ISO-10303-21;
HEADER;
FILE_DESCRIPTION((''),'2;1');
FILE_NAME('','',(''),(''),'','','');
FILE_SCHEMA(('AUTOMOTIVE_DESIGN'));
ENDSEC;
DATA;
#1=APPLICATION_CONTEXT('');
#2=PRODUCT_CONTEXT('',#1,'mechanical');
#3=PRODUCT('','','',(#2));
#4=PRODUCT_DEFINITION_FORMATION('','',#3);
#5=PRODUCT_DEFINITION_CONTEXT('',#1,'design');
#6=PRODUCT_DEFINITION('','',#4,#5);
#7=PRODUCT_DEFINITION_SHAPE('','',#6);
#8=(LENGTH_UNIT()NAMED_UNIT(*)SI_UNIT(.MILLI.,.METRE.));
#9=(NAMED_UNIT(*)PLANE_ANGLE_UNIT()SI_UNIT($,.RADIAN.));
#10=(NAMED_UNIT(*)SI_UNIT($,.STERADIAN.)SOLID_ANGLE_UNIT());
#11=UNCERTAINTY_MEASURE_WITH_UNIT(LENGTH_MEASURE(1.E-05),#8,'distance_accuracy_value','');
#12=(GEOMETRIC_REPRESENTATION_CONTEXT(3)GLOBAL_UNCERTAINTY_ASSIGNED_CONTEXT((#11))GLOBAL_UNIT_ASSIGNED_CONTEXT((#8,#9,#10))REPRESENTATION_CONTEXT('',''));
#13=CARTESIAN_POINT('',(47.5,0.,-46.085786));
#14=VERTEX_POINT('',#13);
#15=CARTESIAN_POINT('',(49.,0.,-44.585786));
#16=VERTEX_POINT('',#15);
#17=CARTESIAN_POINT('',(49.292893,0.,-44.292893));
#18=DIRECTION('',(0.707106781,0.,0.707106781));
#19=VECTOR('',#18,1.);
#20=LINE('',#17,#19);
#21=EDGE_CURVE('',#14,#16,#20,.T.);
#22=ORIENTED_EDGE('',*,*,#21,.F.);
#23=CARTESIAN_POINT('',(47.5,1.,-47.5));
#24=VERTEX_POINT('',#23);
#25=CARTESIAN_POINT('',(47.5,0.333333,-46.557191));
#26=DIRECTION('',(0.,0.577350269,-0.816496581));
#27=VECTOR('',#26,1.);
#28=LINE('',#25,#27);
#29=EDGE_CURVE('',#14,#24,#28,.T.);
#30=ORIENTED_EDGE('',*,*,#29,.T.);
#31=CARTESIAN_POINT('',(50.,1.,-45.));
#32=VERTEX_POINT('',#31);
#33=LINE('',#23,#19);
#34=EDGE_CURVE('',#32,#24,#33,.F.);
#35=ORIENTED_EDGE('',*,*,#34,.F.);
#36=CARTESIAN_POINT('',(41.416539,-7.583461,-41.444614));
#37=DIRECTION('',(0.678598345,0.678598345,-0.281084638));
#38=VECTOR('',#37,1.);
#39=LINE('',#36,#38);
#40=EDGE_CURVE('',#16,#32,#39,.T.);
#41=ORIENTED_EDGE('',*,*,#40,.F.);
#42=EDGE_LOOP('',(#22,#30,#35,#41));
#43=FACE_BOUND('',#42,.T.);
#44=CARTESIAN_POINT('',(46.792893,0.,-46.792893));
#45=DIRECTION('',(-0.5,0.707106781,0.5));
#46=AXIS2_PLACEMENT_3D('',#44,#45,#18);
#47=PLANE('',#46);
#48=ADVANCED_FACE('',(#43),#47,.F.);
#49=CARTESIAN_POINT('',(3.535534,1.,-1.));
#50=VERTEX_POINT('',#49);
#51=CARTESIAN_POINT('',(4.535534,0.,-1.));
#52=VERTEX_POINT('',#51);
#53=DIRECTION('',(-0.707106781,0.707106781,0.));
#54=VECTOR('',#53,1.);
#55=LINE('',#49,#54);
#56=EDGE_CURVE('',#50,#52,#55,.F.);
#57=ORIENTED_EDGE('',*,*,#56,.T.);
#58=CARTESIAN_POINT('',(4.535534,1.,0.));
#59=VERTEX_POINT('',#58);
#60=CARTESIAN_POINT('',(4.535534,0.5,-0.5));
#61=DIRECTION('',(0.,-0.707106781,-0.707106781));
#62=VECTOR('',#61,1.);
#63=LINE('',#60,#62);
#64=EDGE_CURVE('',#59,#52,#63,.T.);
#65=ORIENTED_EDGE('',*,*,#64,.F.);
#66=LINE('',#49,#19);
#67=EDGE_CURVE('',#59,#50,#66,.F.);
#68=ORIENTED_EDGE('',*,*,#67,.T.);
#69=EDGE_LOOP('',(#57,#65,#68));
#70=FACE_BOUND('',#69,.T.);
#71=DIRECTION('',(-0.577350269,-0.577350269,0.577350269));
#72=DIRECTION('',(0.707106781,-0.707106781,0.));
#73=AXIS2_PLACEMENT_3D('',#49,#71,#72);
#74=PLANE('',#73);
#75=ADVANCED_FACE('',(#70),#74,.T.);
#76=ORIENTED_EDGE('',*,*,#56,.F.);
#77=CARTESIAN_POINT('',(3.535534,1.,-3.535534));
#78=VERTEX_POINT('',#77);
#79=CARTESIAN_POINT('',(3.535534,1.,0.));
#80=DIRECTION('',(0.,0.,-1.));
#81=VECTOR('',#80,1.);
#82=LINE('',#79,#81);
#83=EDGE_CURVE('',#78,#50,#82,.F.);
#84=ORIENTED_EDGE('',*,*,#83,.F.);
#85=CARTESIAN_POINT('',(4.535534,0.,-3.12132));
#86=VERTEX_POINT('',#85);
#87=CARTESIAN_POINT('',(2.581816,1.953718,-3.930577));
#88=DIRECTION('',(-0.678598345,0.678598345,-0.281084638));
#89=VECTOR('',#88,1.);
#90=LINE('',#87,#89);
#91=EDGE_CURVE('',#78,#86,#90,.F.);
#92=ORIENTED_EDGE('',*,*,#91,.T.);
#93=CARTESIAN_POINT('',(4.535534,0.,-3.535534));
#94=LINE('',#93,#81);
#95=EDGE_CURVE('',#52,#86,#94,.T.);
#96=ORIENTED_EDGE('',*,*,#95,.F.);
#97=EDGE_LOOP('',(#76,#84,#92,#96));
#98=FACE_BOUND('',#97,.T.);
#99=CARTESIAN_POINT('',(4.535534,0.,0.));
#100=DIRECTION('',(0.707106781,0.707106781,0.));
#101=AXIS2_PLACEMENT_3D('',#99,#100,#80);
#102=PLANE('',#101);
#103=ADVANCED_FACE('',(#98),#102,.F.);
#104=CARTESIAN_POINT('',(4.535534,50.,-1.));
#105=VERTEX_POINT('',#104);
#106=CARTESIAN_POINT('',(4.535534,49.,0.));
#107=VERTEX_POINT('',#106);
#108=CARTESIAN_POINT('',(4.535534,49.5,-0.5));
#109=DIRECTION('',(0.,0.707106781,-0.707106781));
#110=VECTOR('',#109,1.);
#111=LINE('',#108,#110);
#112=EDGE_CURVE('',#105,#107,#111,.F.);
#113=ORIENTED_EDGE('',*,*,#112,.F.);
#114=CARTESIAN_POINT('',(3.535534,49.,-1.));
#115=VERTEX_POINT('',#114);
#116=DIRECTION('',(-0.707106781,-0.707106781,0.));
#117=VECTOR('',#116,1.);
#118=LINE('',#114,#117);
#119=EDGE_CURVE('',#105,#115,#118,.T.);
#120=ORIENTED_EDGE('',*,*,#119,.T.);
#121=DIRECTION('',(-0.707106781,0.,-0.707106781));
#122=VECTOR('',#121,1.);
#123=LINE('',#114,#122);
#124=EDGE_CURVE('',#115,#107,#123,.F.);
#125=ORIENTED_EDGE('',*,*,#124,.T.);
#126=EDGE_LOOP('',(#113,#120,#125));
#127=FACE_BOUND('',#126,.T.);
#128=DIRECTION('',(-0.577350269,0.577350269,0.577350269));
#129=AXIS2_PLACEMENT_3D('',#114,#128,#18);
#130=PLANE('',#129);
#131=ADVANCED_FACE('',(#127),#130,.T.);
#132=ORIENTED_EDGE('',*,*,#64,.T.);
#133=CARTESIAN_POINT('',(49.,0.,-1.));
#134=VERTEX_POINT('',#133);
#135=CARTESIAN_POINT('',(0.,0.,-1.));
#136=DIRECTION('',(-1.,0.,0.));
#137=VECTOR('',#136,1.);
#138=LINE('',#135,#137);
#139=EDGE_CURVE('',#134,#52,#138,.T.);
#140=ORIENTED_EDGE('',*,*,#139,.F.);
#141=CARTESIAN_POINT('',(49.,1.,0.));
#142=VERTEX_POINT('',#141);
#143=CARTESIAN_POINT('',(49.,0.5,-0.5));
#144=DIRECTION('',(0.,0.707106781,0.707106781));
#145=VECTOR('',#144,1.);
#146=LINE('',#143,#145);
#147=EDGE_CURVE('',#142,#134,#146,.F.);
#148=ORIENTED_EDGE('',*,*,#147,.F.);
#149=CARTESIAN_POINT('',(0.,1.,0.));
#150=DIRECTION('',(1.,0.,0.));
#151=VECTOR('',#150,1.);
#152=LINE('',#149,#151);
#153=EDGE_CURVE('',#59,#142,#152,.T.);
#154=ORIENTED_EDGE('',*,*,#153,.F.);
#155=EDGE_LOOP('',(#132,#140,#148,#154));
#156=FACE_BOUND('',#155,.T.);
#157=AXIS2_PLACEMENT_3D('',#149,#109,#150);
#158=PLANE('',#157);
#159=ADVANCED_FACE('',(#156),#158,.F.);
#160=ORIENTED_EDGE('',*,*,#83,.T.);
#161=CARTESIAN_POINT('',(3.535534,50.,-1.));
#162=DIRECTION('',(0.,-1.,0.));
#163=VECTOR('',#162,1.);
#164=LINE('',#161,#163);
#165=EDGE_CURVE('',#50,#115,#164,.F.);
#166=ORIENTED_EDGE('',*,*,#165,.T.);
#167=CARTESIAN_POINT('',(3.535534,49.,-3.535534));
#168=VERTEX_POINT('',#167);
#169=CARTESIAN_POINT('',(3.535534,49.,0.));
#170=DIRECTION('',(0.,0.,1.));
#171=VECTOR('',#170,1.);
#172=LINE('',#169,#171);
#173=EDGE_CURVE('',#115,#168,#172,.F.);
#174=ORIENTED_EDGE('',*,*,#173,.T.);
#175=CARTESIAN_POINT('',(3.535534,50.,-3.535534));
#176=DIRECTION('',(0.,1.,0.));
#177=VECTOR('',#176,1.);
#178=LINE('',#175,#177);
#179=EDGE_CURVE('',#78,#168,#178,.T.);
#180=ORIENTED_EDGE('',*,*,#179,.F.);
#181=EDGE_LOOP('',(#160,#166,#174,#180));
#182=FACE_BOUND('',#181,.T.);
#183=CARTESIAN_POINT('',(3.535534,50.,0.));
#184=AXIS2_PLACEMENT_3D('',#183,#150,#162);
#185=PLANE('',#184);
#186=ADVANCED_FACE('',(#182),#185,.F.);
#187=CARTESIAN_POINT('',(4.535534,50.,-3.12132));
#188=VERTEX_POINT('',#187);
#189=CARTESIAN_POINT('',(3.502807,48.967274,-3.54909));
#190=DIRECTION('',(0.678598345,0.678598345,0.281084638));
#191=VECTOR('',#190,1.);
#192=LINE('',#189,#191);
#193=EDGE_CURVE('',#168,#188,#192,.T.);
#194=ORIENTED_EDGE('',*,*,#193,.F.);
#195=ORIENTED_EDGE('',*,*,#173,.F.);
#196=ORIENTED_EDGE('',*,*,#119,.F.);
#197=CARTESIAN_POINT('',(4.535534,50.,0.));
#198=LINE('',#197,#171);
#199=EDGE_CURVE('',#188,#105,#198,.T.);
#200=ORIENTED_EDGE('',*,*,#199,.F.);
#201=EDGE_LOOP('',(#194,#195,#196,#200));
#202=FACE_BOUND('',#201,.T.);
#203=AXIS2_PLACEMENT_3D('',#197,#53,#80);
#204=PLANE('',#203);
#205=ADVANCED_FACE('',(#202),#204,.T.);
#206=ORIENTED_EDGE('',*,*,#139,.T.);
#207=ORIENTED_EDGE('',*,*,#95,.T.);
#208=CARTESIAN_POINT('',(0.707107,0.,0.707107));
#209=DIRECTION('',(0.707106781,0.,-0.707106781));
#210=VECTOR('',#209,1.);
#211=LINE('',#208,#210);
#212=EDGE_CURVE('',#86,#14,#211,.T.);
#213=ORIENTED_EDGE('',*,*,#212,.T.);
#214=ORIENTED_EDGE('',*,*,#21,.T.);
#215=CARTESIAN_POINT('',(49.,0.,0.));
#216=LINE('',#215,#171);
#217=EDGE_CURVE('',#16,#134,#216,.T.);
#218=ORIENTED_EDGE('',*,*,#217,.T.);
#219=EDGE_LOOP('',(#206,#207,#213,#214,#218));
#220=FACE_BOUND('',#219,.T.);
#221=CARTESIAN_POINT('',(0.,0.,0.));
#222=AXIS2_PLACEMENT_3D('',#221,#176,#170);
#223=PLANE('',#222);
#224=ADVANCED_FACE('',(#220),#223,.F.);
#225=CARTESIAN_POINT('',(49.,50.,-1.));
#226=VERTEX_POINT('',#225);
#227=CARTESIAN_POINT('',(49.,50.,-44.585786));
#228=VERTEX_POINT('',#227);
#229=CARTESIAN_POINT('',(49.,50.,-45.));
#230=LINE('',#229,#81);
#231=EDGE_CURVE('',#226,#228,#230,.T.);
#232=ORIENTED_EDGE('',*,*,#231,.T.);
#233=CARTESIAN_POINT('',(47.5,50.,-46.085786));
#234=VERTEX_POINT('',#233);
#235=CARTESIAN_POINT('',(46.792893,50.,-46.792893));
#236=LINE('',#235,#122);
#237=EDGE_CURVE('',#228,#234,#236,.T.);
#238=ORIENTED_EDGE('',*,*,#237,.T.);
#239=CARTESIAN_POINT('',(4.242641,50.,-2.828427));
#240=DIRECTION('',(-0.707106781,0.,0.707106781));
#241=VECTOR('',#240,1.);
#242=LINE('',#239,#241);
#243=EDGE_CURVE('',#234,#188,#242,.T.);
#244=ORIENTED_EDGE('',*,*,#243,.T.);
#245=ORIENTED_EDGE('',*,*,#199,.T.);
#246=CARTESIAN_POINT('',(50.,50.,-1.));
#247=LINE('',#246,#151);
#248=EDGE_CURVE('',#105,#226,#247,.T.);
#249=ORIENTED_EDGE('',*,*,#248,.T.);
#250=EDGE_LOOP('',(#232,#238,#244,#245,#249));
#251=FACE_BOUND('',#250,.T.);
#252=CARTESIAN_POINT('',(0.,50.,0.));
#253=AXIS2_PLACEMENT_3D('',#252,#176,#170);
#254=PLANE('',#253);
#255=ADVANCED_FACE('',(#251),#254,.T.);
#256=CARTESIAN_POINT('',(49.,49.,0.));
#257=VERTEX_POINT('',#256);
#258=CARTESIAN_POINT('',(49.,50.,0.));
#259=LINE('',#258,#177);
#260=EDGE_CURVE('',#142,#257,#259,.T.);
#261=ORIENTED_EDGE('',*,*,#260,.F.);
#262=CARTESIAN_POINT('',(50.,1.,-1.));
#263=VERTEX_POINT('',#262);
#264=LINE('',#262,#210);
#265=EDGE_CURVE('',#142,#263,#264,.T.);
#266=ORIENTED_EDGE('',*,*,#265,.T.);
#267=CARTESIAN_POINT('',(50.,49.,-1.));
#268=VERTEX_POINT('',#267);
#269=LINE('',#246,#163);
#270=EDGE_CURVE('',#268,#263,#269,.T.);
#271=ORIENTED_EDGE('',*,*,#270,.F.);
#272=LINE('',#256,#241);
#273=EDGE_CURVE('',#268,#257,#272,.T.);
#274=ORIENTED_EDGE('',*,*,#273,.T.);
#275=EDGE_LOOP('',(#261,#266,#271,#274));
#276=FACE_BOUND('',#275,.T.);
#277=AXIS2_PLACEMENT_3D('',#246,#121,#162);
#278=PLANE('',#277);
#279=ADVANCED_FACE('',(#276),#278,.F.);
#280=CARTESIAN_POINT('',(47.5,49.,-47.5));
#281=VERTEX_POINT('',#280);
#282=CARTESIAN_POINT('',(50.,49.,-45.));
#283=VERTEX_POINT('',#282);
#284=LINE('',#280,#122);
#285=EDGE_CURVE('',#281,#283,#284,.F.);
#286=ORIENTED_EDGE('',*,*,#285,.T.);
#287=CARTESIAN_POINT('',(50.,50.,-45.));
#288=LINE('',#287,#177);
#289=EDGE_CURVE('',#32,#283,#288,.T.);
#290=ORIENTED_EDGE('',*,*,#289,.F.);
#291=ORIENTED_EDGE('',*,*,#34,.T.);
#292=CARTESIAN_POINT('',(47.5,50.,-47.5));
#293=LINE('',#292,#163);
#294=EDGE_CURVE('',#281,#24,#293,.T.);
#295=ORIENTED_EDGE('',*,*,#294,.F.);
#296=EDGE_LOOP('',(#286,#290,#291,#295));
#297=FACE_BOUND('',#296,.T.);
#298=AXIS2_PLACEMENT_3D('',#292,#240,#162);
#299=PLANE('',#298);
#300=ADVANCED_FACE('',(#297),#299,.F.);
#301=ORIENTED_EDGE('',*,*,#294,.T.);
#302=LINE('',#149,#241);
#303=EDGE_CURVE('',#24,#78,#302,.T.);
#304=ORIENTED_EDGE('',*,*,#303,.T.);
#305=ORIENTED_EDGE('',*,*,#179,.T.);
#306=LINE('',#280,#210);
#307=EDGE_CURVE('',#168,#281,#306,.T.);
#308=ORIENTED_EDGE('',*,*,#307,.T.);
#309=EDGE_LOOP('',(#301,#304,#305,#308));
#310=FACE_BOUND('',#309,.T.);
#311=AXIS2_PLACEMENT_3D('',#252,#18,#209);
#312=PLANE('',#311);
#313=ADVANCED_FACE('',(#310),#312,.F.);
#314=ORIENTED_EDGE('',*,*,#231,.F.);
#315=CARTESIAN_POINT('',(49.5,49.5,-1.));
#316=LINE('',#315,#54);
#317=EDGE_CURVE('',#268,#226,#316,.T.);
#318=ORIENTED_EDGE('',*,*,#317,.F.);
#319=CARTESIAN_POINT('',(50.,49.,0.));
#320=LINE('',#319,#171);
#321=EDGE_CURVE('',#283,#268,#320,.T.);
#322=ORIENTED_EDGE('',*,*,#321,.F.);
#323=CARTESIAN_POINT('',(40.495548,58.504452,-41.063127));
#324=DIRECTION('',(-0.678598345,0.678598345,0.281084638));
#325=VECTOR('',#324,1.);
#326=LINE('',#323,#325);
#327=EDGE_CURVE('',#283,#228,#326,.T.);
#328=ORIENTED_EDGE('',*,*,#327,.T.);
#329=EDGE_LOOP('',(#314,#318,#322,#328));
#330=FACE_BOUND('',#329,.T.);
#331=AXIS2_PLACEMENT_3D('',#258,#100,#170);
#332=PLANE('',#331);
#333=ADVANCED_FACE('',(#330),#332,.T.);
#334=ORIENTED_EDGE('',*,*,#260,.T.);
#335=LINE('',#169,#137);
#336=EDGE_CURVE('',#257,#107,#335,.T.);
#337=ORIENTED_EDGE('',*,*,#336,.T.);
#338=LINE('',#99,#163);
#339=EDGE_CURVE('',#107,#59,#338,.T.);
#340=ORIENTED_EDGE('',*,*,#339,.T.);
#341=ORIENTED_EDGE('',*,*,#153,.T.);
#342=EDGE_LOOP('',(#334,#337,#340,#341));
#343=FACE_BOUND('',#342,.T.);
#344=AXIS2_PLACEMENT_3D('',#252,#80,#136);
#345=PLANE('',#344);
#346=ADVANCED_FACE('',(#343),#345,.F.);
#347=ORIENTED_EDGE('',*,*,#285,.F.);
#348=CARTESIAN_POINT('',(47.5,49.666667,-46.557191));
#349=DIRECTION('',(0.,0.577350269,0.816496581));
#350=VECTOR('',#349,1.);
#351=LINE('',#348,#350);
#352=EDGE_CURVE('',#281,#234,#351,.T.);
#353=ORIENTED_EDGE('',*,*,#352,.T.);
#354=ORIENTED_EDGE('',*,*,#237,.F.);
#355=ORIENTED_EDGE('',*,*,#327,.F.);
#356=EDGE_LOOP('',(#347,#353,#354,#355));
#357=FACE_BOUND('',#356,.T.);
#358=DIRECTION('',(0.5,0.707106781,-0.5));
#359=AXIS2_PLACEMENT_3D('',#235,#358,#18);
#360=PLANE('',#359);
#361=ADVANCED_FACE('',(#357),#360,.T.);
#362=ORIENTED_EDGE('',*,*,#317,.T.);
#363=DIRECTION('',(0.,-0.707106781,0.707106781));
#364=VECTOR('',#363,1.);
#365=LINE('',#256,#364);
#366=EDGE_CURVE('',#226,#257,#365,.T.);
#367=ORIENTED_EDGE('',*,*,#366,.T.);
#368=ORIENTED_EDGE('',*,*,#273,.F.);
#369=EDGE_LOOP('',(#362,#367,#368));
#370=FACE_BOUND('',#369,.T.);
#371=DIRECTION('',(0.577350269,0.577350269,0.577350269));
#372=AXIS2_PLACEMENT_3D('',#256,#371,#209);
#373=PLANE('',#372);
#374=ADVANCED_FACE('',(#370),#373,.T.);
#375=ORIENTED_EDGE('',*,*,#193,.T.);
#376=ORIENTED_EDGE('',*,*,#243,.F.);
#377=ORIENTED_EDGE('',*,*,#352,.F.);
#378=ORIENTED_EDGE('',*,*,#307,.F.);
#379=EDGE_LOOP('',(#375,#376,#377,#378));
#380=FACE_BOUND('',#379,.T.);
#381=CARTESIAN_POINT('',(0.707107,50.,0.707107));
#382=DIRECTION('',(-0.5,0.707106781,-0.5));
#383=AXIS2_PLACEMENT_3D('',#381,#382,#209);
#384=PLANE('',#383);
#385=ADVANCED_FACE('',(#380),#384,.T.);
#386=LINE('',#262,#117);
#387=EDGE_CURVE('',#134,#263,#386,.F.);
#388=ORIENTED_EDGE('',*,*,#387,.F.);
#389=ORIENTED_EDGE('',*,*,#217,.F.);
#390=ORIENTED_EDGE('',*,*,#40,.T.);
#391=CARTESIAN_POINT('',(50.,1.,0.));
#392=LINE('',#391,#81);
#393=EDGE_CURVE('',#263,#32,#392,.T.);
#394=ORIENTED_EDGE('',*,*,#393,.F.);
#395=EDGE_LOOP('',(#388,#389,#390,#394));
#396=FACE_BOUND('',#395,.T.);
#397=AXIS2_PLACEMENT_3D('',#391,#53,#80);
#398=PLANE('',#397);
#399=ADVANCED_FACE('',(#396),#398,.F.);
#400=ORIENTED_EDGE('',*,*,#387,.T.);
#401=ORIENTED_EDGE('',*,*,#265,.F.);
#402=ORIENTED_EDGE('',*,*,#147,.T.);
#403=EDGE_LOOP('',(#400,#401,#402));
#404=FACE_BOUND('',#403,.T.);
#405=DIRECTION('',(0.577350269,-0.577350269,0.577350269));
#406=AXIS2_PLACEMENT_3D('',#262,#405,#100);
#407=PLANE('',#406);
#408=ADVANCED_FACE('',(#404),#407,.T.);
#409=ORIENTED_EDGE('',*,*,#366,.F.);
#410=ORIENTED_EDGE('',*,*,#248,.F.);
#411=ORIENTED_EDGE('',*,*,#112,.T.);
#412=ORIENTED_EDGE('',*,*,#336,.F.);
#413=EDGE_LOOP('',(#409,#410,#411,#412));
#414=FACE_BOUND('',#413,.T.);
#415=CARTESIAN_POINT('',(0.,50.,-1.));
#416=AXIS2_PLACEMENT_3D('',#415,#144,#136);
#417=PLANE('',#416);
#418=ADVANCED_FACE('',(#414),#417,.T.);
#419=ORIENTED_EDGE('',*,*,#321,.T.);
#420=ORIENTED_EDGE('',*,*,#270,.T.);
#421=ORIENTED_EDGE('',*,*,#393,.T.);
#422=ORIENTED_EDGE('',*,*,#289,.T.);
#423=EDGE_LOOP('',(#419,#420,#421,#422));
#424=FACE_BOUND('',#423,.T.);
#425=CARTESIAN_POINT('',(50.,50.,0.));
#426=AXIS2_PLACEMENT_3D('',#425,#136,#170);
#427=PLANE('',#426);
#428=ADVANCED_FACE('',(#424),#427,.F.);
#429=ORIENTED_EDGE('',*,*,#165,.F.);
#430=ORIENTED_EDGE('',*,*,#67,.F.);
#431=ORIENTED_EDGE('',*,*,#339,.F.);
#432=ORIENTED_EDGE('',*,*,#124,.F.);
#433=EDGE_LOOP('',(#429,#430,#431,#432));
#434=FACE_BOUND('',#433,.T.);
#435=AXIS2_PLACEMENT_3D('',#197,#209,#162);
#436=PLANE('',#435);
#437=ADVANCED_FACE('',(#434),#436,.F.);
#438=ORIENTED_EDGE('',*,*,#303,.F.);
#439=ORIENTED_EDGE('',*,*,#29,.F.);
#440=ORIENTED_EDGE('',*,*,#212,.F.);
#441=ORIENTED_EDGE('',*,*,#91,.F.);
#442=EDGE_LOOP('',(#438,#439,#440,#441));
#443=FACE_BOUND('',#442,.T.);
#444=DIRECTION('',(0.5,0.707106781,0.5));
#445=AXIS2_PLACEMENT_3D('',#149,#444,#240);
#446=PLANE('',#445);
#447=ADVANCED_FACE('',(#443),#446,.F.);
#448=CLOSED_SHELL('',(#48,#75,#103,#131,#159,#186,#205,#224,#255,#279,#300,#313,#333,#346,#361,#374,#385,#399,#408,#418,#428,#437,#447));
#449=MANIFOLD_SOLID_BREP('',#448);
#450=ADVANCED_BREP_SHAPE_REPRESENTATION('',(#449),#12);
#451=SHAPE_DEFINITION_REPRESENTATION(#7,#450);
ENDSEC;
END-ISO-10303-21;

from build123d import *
from OCP.BRepFilletAPI import BRepFilletAPI_MakeChamfer

# Parameters (mm, degrees)
EXTRUDE_1_DEPTH = 50
CHAMFER_1_SIZE  = 5
CHAMFER_1_SIZE2 = 3.535533906
CHAMFER_2_SIZE  = 1


with BuildPart() as part:
    # 草图1 → 凸台-拉伸1 (new body)
    with BuildSketch(Plane(origin=(0, 0, 0), x_dir=(1, 0, 0), z_dir=(0, 1, 0))):
        Polygon((0, 0), (50, 50), (50, 0), align=None)
    extrude(amount=EXTRUDE_1_DEPTH)

    # 倒角1: one chamfer whose edges measure the first distance from different faces: ONE call of the kernel's chamfer builder (chamfer() names one face for all edges)
    chamfer_1_edges_1 = [part.edges().sort_by_distance(p)[0] for p in [
        (0, 25, 0),
    ]]
    chamfer_1_side_1 = [part.faces().sort_by_distance(p)[0] for p in [
        (25, 25, -25),
    ]]
    chamfer_1_edges_2 = [part.edges().sort_by_distance(p)[0] for p in [
        (50, 25, -50),
    ]]
    chamfer_1_side_2 = [part.faces().sort_by_distance(p)[0] for p in [
        (50, 25, -25),
    ]]
    chamfer_1 = BRepFilletAPI_MakeChamfer(part.part.solid().wrapped)
    for e in chamfer_1_edges_1:
        chamfer_1.Add(CHAMFER_1_SIZE, CHAMFER_1_SIZE2, e.wrapped, chamfer_1_side_1[0].wrapped)  # the first distance lies on this face
    for e in chamfer_1_edges_2:
        chamfer_1.Add(CHAMFER_1_SIZE, CHAMFER_1_SIZE2, e.wrapped, chamfer_1_side_2[0].wrapped)  # the first distance lies on this face
    add(Compound.cast(chamfer_1.Shape()), mode=Mode.REPLACE)

    # 倒角2
    chamfer_2_edges = [part.edges().sort_by_distance(p)[0] for p in [
        (25.517766953, 0, -25.517766953),
        (25.517766953, 50, -25.517766953),
        (26.767766953, 0, 0),
        (3.535533906, 0, -1.767766953),
        (48.75, 0, -46.25),
        (26.767766953, 50, 0),
        (3.535533906, 50, -1.767766953),
        (48.75, 50, -46.25),
        (3.535533906, 25, 0),
        (50, 0, -22.5),
        (50, 25, 0),
        (50, 50, -22.5),
    ]]
    chamfer(chamfer_2_edges, length=CHAMFER_2_SIZE)


solid = part.part
